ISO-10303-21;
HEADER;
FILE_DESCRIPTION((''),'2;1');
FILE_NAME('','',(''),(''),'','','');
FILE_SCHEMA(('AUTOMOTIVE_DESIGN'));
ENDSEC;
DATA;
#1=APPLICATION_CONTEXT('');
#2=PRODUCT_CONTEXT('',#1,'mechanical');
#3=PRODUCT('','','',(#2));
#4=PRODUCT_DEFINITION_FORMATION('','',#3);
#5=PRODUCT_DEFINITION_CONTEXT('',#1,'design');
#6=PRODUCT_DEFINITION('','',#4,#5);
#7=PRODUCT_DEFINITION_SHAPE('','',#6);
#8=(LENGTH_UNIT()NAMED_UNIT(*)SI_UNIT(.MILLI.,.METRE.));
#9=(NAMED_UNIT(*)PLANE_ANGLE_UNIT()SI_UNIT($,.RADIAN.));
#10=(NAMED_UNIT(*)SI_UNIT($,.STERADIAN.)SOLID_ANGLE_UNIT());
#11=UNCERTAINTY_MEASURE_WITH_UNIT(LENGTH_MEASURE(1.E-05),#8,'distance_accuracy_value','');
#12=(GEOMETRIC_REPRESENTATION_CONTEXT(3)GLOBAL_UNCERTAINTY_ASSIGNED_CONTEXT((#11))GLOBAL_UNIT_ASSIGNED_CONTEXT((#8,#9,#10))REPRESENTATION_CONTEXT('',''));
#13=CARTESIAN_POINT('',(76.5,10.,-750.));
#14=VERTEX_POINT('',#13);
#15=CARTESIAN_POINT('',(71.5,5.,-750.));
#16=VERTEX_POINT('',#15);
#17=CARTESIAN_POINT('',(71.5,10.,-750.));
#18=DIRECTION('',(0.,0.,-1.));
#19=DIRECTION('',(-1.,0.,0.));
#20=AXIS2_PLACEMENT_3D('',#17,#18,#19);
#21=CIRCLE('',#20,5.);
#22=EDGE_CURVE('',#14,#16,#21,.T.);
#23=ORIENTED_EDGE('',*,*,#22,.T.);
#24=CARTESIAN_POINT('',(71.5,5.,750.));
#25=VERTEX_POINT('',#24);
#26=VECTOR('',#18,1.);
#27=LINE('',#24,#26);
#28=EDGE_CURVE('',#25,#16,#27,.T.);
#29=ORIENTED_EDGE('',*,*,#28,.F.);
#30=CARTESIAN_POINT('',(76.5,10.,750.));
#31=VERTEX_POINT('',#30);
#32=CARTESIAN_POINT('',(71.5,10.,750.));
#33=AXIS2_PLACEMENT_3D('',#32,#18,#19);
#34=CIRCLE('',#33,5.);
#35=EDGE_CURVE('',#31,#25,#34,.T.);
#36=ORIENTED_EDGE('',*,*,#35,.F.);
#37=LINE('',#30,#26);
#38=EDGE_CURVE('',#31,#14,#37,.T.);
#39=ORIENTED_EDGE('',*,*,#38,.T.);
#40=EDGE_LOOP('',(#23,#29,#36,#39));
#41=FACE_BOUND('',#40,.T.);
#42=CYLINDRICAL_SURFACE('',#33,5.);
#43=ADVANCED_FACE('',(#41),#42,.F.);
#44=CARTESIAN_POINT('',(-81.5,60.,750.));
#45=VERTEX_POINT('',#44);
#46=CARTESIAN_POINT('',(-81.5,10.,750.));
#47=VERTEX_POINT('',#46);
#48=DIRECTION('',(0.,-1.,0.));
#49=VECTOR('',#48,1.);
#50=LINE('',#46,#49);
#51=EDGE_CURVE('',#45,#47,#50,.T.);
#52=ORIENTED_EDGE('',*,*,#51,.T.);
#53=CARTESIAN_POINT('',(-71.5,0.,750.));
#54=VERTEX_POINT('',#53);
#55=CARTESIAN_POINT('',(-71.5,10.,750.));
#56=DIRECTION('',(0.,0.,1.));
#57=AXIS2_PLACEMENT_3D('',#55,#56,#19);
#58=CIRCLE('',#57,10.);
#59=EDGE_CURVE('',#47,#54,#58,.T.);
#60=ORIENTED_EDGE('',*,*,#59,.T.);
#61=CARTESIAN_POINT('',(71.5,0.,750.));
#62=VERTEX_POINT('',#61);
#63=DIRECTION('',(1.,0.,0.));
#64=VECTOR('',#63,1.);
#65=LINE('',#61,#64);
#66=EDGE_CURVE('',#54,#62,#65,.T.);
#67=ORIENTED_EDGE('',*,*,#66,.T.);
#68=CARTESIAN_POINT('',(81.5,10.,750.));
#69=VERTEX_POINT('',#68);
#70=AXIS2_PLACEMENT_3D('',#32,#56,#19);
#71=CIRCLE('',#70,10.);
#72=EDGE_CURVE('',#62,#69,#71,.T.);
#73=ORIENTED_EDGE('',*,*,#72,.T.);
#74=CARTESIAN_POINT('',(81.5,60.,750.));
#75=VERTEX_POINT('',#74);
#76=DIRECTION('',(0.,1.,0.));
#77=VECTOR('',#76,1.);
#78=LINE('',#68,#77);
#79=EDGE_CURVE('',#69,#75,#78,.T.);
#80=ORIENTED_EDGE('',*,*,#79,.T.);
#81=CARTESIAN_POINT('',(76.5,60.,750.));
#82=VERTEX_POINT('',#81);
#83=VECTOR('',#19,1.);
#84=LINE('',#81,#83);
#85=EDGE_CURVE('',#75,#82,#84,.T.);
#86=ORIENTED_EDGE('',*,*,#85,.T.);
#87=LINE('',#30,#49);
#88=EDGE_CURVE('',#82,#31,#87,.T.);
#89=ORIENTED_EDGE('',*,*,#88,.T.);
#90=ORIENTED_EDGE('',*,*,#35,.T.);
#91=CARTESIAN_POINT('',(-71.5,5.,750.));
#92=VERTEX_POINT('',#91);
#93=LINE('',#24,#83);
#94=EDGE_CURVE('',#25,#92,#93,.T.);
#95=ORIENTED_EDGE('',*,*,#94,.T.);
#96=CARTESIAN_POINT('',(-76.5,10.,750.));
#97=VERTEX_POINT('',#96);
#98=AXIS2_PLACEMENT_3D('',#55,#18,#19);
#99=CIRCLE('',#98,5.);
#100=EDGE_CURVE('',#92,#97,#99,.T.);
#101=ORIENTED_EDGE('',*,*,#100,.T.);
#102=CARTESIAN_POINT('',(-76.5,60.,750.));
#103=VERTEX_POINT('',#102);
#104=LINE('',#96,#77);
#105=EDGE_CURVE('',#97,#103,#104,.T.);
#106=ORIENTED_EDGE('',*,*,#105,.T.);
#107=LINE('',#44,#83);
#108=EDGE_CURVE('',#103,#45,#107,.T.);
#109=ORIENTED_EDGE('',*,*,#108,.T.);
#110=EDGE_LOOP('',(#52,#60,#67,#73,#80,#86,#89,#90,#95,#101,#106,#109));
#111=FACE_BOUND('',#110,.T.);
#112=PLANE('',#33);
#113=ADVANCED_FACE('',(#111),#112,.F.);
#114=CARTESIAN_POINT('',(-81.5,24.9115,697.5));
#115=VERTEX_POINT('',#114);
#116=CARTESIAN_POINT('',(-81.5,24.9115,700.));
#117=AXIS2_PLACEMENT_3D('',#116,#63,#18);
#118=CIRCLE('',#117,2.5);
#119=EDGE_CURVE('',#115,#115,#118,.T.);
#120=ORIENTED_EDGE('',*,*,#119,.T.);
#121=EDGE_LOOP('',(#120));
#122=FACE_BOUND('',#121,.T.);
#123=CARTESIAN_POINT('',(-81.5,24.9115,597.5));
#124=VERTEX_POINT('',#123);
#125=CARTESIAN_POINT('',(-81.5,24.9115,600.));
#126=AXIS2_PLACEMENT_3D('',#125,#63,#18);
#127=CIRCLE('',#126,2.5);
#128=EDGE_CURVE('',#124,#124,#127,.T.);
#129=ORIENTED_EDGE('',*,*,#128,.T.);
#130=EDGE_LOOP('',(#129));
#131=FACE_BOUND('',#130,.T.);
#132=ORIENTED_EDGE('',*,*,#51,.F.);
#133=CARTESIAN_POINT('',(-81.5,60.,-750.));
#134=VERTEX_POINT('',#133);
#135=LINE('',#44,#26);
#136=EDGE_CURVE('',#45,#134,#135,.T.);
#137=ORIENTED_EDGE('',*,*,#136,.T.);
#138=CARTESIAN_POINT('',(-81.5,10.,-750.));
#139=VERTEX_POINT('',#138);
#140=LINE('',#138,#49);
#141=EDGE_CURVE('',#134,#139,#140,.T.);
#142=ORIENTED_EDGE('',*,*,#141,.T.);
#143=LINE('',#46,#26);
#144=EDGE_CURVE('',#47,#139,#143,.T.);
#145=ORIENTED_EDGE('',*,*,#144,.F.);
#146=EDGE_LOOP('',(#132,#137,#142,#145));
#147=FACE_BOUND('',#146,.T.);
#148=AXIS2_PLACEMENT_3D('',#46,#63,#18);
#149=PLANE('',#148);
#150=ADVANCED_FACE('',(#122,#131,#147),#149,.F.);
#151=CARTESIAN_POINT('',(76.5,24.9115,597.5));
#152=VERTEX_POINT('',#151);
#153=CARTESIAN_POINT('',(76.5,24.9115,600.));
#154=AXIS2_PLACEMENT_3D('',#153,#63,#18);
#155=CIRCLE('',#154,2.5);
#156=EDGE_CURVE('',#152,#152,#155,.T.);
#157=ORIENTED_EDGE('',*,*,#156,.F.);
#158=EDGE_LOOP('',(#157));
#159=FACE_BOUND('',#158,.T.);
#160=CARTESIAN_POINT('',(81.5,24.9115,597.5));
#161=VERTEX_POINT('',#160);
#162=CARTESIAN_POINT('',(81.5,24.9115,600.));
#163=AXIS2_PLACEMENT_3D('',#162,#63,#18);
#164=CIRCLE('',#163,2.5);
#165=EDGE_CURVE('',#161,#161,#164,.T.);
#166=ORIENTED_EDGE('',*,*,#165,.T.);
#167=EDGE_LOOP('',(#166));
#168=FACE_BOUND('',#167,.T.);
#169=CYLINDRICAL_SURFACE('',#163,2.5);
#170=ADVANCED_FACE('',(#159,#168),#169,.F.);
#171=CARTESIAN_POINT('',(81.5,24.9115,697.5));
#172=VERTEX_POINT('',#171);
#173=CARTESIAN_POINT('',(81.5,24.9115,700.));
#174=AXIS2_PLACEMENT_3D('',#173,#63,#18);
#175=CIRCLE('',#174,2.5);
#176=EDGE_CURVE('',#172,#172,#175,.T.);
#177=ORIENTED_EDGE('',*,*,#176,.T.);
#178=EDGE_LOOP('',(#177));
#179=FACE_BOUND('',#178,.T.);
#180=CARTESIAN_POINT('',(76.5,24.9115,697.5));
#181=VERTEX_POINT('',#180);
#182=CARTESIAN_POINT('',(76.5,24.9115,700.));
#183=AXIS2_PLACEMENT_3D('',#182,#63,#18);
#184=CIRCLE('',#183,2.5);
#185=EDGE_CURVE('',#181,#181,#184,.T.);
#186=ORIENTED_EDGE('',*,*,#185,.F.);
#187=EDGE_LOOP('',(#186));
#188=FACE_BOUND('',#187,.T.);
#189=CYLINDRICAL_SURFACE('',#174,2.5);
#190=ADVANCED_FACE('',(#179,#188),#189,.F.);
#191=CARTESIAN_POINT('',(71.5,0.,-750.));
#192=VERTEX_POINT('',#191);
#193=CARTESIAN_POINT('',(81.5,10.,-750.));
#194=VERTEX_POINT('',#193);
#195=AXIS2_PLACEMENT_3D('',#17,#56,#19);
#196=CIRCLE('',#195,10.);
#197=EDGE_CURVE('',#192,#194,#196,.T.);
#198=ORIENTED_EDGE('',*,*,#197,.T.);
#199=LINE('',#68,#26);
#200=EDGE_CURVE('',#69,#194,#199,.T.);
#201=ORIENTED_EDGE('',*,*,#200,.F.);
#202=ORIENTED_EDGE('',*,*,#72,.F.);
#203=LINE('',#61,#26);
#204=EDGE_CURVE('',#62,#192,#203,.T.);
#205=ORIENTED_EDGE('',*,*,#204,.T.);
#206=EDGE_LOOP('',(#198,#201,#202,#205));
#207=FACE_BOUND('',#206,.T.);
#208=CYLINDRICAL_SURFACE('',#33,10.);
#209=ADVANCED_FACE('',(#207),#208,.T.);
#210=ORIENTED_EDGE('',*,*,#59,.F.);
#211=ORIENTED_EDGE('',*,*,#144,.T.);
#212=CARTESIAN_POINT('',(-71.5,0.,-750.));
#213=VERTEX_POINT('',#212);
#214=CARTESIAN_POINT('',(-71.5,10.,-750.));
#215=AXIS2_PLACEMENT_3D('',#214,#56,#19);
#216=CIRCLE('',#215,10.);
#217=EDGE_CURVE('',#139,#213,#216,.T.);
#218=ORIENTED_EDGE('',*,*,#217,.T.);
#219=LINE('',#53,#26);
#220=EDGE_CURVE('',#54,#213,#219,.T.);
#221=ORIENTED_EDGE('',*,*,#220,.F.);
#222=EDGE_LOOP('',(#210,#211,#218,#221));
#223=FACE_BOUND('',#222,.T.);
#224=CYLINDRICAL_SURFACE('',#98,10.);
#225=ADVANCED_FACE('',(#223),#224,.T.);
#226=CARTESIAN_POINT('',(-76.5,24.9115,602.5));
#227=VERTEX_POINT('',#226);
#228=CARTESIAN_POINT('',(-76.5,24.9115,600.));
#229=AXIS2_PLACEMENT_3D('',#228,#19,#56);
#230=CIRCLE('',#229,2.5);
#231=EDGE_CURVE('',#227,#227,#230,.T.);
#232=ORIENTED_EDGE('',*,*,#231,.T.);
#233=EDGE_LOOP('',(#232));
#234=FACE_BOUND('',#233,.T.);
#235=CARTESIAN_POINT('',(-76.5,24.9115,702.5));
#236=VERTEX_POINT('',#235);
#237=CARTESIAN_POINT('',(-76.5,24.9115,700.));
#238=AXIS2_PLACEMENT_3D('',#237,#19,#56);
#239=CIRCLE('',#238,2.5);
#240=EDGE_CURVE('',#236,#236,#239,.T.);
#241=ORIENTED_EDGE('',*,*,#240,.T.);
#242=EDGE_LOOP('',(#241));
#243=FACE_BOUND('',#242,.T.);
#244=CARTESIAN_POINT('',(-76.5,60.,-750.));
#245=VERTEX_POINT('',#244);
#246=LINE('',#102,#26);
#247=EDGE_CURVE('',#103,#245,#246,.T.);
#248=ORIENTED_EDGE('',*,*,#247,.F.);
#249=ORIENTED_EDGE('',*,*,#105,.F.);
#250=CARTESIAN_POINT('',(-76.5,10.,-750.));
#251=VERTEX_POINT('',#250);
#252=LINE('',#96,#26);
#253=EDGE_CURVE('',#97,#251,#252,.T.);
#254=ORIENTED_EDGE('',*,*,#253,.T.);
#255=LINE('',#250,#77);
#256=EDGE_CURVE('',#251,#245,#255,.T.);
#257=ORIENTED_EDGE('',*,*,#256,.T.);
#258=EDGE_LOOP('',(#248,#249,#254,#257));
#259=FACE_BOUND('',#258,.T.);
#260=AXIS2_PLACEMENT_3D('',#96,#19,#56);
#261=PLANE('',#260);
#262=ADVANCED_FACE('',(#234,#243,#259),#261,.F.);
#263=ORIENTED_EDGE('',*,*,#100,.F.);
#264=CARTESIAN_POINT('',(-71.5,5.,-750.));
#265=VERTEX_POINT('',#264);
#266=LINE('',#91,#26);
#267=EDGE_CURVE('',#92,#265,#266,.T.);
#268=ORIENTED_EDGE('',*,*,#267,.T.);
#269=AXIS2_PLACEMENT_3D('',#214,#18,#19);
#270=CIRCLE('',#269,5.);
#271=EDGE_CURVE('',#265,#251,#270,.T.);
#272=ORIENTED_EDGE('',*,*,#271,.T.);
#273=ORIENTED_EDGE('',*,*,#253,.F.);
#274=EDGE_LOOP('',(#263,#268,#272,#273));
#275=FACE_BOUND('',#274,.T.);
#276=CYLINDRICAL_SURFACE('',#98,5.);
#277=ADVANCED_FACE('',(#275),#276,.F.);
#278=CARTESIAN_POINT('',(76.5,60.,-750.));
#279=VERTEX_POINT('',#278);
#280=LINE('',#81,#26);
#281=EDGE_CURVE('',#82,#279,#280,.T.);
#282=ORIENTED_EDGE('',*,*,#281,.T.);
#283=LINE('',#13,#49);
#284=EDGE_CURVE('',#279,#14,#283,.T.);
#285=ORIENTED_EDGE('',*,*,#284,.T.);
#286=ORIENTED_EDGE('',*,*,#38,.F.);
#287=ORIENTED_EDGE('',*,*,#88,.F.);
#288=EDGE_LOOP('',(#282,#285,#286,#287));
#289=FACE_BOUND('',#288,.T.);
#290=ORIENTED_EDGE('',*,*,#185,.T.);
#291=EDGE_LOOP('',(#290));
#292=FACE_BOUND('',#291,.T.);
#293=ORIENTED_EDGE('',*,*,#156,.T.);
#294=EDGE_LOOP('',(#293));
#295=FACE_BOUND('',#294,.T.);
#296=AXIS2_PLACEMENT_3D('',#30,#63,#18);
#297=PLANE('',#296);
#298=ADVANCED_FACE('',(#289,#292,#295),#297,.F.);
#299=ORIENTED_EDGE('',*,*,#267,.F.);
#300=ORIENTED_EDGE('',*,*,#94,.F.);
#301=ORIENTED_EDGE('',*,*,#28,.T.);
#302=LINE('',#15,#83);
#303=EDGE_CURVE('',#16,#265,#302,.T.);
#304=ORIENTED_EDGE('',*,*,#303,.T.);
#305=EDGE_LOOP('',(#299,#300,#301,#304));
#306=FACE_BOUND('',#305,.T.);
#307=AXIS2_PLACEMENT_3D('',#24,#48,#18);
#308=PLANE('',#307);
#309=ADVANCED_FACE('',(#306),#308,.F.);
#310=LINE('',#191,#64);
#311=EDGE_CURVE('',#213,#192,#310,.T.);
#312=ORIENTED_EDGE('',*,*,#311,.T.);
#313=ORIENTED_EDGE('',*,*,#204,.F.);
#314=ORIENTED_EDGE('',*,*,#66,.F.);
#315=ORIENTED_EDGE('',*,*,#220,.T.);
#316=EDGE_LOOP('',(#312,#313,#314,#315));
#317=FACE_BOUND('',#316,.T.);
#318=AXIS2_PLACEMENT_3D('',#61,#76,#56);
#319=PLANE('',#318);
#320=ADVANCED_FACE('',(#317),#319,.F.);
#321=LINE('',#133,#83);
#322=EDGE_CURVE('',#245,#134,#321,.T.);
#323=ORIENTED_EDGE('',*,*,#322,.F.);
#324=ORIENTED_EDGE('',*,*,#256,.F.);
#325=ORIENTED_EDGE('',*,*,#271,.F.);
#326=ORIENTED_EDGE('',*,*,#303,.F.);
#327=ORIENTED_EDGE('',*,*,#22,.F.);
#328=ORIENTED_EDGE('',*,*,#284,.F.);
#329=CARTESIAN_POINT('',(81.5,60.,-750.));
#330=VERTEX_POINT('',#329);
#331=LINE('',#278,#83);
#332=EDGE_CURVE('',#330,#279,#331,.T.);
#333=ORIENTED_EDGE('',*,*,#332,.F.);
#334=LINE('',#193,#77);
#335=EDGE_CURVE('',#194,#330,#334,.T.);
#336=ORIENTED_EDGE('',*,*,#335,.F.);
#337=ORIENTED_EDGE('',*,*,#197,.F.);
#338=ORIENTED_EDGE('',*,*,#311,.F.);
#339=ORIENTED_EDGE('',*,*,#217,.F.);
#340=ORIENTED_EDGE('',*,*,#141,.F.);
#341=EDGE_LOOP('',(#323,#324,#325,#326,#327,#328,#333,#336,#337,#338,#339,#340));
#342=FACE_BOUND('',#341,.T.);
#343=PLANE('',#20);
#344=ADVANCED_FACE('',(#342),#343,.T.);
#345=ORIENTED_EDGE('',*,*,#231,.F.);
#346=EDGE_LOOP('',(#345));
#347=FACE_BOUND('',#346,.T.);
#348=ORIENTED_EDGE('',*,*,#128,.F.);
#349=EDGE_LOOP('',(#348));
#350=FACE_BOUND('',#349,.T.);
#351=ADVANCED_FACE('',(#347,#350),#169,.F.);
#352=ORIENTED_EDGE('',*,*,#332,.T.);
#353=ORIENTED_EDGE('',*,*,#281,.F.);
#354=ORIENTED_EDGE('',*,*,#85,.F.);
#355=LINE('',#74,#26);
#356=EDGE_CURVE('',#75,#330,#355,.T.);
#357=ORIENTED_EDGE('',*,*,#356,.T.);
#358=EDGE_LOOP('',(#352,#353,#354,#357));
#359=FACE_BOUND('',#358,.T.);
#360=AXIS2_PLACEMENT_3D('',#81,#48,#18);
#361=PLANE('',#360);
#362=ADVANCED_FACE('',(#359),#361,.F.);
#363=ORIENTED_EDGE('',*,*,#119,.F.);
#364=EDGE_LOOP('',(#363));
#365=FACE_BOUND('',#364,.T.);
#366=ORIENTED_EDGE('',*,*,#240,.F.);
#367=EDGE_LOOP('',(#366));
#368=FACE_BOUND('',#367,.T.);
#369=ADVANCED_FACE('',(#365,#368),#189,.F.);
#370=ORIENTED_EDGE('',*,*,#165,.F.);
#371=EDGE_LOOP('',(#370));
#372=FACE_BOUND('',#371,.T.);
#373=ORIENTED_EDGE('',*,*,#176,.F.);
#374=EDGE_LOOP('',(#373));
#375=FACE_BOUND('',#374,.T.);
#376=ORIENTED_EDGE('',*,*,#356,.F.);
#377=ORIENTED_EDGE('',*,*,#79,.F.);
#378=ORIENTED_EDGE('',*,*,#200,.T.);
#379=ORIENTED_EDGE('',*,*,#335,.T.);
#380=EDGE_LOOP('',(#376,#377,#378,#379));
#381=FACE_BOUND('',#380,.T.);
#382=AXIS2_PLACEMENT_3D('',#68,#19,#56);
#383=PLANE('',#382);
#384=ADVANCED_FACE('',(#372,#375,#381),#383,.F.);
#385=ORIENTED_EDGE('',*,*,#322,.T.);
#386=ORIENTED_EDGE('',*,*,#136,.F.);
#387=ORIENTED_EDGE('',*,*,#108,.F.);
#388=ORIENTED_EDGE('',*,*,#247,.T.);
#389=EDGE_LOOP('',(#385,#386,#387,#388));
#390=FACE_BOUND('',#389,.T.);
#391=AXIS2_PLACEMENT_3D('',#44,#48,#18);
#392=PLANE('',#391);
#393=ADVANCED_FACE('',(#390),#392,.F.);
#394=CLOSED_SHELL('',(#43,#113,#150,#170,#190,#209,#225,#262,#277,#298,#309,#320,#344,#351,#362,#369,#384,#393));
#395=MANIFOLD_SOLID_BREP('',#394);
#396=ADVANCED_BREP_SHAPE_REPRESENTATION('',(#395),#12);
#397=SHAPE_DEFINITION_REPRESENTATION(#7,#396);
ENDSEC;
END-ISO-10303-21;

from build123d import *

# Parameters (mm, degrees)
EXTRUDE_1_DEPTH          = 750
CUT_EXTRUDE_1_DEPTH      = 770.849985387
CUT_EXTRUDE_1_DEPTH_BACK = 770.849985387
SKETCH_2_R               = 2
HOLE_WIZARD_M61_D        = 5


with BuildPart() as part:
    # Эскиз1 → Бобышка-Вытянуть1 (new, symmetric)
    with BuildSketch(Plane.XY):
        with BuildLine():
            Line((71.5, 0), (-71.5, 0))
            ThreePointArc((-71.5, 0), (-78.571067812, 2.928932188), (-81.5, 10))
            Line((-81.5, 10), (-81.5, 60))
            Line((-81.5, 60), (-76.5, 60))
            Line((-76.5, 60), (-76.5, 10))
            ThreePointArc((-76.5, 10), (-75.035533906, 6.464466094), (-71.5, 5))
            Line((-71.5, 5), (71.5, 5))
            ThreePointArc((71.5, 5), (75.035533906, 6.464466094), (76.5, 10))
            Line((76.5, 10), (76.5, 60))
            Line((76.5, 60), (81.5, 60))
            Line((81.5, 60), (81.5, 10))
            ThreePointArc((81.5, 10), (78.571067812, 2.928932188), (71.5, 0))
        make_face()
    extrude(amount=EXTRUDE_1_DEPTH, both=True)

    # Эскиз2 → Вырез-Вытянуть1 (cut, two sides: drawn at the far end of the back side and taken through both)
    with BuildSketch(Plane(origin=(81.5, 0, 0), x_dir=(0, 0, -1), z_dir=(1, 0, 0)).offset(-CUT_EXTRUDE_1_DEPTH_BACK)):
        with Locations((-600, 24.9115)):
            Circle(SKETCH_2_R)
        with Locations((-700, 24.9115)):
            Circle(SKETCH_2_R)
    extrude(amount=CUT_EXTRUDE_1_DEPTH + CUT_EXTRUDE_1_DEPTH_BACK, mode=Mode.SUBTRACT)

    # Отверстие обработанное метчиком M61 (through all)
    with Locations(Plane(origin=(81.5, 0, 0), x_dir=(0, 0, -1), z_dir=(1, 0, 0))):
        with Locations((-600, 24.9115), (-700, 24.9115)):
            Hole(HOLE_WIZARD_M61_D / 2)


solid = part.part
